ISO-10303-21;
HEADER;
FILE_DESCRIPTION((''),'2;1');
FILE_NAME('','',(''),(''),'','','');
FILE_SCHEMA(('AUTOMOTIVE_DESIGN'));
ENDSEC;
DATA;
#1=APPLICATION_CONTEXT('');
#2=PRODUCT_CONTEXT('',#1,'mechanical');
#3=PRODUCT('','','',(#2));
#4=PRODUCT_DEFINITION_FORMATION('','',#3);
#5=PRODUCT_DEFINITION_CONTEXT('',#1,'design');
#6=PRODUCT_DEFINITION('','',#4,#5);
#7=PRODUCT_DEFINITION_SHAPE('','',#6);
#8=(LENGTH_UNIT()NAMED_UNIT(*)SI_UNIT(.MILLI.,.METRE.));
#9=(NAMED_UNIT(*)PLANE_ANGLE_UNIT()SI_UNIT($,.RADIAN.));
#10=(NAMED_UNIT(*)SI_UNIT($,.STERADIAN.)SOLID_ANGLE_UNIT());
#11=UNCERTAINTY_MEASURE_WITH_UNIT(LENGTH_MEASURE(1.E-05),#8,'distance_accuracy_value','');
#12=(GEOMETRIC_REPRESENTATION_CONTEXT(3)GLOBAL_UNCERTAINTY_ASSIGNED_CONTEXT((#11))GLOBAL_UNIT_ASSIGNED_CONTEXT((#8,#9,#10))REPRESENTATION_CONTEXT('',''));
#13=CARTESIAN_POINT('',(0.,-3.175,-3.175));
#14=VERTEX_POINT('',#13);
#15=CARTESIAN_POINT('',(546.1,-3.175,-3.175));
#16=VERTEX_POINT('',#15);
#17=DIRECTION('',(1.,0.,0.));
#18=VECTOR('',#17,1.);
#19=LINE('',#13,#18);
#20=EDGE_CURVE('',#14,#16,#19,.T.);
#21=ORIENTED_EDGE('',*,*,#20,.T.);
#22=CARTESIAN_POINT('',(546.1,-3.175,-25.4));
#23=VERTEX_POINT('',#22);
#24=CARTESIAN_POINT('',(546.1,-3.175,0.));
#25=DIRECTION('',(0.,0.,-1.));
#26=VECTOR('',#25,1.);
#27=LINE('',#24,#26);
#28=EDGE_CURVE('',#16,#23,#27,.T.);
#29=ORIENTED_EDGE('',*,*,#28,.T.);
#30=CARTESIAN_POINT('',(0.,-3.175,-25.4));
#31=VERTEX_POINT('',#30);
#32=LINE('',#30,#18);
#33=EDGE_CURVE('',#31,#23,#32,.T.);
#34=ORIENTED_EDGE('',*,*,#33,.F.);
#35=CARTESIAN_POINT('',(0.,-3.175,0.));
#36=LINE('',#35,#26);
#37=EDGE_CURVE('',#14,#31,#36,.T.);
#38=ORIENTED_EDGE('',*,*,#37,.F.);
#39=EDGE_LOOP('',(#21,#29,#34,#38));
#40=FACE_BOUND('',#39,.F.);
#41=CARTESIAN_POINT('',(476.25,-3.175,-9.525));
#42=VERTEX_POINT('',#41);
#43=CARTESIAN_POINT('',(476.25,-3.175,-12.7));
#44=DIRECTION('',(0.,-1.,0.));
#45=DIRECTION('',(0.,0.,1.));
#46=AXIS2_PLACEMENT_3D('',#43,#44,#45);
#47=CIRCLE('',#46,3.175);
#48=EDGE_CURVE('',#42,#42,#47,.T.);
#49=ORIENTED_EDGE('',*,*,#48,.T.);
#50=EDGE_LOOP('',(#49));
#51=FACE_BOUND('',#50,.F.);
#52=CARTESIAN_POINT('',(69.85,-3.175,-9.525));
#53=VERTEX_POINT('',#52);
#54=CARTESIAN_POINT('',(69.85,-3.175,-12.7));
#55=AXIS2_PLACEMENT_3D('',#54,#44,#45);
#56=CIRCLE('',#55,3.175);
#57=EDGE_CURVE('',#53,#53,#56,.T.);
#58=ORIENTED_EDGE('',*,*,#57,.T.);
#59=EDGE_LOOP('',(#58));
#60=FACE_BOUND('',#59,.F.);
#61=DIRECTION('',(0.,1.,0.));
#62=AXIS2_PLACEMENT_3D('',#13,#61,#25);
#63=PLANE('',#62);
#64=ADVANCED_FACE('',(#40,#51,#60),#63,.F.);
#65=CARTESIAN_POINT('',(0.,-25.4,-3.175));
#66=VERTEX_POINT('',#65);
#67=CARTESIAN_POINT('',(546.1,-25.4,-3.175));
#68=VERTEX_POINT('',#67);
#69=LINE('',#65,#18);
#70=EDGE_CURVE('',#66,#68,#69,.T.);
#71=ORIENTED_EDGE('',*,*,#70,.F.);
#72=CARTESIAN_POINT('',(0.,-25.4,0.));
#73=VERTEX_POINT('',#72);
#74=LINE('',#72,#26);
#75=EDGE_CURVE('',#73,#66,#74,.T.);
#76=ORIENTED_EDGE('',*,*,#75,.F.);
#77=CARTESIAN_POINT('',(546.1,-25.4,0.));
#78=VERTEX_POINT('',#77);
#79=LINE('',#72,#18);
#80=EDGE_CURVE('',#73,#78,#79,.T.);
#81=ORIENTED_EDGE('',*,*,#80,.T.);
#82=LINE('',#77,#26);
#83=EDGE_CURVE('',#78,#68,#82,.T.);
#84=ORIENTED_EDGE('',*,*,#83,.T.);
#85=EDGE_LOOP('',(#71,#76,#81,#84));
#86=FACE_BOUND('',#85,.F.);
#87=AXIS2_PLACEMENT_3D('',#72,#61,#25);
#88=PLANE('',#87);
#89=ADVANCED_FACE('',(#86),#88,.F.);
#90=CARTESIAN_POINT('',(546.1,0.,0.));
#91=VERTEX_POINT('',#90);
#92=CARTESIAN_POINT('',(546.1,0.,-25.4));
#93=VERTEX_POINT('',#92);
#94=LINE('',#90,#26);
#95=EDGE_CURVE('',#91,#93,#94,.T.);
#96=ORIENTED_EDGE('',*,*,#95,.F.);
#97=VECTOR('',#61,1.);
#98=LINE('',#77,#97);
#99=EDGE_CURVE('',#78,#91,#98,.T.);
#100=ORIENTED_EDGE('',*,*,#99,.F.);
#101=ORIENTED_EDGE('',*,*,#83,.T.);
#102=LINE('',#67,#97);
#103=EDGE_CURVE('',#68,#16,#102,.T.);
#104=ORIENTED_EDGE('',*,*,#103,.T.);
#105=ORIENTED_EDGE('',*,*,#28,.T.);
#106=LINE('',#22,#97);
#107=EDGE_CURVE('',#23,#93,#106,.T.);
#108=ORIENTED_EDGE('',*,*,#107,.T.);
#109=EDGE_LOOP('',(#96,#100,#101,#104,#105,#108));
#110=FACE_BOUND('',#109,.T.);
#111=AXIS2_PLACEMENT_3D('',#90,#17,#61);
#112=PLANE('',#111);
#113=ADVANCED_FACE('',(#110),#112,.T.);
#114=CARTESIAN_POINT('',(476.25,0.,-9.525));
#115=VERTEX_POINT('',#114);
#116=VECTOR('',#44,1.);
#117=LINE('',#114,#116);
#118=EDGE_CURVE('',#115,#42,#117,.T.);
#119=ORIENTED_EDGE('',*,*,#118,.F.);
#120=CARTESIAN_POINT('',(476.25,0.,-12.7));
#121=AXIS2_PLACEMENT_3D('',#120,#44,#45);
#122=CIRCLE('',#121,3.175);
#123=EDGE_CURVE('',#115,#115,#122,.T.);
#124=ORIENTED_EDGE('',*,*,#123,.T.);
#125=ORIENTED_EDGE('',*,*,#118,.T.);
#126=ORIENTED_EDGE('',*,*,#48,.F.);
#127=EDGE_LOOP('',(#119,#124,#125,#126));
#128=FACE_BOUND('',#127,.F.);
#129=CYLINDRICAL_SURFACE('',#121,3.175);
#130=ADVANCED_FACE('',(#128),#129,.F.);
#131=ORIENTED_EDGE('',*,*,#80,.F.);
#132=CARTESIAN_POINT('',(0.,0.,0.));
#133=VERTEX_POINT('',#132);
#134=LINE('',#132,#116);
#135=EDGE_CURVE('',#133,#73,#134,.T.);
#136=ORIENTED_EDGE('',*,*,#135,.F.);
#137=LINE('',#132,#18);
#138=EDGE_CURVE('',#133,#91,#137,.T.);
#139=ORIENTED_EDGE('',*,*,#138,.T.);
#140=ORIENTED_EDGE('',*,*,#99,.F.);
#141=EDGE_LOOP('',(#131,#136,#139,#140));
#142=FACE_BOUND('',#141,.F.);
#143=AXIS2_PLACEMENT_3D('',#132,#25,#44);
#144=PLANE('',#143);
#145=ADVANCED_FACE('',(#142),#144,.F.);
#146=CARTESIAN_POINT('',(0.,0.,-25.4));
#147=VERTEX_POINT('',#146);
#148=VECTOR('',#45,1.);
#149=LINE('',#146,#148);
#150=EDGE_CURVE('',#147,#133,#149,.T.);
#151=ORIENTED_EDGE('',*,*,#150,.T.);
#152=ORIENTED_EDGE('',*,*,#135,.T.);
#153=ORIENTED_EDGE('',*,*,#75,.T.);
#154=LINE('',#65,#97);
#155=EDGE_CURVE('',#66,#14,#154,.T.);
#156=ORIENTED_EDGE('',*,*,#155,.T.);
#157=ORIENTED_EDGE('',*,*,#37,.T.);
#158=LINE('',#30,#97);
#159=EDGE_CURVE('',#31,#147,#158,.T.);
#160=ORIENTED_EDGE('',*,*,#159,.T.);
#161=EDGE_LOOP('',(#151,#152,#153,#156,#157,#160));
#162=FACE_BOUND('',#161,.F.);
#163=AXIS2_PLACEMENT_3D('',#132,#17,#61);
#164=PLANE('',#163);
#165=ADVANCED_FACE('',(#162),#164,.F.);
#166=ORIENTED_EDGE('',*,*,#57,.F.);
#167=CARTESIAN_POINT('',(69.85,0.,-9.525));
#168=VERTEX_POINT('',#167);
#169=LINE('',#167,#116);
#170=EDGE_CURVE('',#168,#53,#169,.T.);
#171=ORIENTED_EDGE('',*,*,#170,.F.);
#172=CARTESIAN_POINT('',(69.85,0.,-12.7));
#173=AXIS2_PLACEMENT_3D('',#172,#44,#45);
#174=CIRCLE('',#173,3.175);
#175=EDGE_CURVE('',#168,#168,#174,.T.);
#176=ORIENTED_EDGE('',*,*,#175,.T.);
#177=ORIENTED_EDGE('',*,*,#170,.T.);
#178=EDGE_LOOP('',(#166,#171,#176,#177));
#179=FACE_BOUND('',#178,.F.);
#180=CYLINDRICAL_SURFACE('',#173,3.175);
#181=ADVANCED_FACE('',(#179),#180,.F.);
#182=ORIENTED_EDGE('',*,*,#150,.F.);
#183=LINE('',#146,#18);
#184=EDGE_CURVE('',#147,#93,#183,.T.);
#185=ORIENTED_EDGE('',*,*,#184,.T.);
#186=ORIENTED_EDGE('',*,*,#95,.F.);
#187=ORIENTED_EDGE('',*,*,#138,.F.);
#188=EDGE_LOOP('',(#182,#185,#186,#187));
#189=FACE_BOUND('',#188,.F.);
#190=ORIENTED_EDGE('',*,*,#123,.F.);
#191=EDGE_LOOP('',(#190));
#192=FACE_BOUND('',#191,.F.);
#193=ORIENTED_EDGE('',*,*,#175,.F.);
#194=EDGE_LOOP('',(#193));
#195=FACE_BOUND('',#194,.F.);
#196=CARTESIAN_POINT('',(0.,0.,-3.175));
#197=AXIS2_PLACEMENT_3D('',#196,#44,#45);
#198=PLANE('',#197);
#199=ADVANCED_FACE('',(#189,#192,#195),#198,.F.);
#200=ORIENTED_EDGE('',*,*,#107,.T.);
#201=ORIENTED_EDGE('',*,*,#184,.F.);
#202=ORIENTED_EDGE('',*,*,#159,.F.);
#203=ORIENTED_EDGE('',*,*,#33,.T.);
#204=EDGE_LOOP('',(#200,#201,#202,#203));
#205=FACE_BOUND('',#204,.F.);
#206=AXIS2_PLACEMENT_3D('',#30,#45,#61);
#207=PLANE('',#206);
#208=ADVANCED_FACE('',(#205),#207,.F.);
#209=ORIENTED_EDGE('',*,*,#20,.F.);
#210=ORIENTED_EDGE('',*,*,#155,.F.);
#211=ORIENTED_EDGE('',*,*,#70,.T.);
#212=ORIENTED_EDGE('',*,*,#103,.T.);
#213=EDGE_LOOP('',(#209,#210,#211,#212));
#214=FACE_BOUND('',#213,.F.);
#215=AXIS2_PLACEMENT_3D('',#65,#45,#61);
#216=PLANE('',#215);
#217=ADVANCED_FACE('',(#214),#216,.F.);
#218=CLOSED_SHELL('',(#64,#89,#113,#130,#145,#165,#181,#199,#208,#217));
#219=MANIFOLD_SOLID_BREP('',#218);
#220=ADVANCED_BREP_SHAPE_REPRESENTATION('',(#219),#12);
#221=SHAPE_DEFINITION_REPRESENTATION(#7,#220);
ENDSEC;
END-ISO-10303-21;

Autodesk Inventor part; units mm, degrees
ref_plane "YZ Plane" through (0, 0, 0) normal (1, 0, 0) x (0, 1, 0)
ref_plane "XZ Plane" through (0, 0, 0) normal (0, 1, 0) x (-1, 0, 0)
ref_plane "XY Plane" through (0, 0, 0) normal (0, 0, 1) x (1, 0, 0)
sketch "Sketch1" plane through (0, 0, 0) normal (1, 0, 0) x (0, 1, 0)
  line L0 (0, 0) -> (-3.175, 0)
  line L1 (-3.175, 0) -> (-3.175, -25.4)
  line L2 (-3.175, -25.4) -> (0, -25.4)
  line L3 (0, -25.4) -> (0, 0)
  line L4 (0, 0) -> (-25.4, 0)
  line L5 (-25.4, 0) -> (-25.4, -3.175)
  line L6 (-25.4, -3.175) -> (0, -3.175)
  line L7 (0, -3.175) -> (0, 0)
  dimension "d0" = 3.175
  dimension "d1" = 25.4
  dimension "d2" = 25.4
  dimension "d3" = 3.175
extrude "Extrusion1" add sketch "Sketch1" along normal blind 546.1
sketch "Sketch2" plane through (0, 0, 0) normal (0, 1, 0) x (1, 0, 0)
  line L0 (0, 25.4) -> (0, 0) projected
  line L1 (0, 0) -> (546.1, 0) projected
  line L2 (546.1, 25.4) -> (546.1, 0) projected
  point P0 (476.25, 12.7)
  point P1 (69.85, 12.7)
  dimension "d6" = 69.85
  dimension "d7" = 12.7
  dimension "d8" = 69.85
  dimension "d9" = 12.7
hole "Hole1" at (476.25, 0, -12.7) at (69.85, 0, -12.7) direction (0, -1, 0) diameter 6.35 end through all
properties part number "pool noodle guard 1x1 angle"
